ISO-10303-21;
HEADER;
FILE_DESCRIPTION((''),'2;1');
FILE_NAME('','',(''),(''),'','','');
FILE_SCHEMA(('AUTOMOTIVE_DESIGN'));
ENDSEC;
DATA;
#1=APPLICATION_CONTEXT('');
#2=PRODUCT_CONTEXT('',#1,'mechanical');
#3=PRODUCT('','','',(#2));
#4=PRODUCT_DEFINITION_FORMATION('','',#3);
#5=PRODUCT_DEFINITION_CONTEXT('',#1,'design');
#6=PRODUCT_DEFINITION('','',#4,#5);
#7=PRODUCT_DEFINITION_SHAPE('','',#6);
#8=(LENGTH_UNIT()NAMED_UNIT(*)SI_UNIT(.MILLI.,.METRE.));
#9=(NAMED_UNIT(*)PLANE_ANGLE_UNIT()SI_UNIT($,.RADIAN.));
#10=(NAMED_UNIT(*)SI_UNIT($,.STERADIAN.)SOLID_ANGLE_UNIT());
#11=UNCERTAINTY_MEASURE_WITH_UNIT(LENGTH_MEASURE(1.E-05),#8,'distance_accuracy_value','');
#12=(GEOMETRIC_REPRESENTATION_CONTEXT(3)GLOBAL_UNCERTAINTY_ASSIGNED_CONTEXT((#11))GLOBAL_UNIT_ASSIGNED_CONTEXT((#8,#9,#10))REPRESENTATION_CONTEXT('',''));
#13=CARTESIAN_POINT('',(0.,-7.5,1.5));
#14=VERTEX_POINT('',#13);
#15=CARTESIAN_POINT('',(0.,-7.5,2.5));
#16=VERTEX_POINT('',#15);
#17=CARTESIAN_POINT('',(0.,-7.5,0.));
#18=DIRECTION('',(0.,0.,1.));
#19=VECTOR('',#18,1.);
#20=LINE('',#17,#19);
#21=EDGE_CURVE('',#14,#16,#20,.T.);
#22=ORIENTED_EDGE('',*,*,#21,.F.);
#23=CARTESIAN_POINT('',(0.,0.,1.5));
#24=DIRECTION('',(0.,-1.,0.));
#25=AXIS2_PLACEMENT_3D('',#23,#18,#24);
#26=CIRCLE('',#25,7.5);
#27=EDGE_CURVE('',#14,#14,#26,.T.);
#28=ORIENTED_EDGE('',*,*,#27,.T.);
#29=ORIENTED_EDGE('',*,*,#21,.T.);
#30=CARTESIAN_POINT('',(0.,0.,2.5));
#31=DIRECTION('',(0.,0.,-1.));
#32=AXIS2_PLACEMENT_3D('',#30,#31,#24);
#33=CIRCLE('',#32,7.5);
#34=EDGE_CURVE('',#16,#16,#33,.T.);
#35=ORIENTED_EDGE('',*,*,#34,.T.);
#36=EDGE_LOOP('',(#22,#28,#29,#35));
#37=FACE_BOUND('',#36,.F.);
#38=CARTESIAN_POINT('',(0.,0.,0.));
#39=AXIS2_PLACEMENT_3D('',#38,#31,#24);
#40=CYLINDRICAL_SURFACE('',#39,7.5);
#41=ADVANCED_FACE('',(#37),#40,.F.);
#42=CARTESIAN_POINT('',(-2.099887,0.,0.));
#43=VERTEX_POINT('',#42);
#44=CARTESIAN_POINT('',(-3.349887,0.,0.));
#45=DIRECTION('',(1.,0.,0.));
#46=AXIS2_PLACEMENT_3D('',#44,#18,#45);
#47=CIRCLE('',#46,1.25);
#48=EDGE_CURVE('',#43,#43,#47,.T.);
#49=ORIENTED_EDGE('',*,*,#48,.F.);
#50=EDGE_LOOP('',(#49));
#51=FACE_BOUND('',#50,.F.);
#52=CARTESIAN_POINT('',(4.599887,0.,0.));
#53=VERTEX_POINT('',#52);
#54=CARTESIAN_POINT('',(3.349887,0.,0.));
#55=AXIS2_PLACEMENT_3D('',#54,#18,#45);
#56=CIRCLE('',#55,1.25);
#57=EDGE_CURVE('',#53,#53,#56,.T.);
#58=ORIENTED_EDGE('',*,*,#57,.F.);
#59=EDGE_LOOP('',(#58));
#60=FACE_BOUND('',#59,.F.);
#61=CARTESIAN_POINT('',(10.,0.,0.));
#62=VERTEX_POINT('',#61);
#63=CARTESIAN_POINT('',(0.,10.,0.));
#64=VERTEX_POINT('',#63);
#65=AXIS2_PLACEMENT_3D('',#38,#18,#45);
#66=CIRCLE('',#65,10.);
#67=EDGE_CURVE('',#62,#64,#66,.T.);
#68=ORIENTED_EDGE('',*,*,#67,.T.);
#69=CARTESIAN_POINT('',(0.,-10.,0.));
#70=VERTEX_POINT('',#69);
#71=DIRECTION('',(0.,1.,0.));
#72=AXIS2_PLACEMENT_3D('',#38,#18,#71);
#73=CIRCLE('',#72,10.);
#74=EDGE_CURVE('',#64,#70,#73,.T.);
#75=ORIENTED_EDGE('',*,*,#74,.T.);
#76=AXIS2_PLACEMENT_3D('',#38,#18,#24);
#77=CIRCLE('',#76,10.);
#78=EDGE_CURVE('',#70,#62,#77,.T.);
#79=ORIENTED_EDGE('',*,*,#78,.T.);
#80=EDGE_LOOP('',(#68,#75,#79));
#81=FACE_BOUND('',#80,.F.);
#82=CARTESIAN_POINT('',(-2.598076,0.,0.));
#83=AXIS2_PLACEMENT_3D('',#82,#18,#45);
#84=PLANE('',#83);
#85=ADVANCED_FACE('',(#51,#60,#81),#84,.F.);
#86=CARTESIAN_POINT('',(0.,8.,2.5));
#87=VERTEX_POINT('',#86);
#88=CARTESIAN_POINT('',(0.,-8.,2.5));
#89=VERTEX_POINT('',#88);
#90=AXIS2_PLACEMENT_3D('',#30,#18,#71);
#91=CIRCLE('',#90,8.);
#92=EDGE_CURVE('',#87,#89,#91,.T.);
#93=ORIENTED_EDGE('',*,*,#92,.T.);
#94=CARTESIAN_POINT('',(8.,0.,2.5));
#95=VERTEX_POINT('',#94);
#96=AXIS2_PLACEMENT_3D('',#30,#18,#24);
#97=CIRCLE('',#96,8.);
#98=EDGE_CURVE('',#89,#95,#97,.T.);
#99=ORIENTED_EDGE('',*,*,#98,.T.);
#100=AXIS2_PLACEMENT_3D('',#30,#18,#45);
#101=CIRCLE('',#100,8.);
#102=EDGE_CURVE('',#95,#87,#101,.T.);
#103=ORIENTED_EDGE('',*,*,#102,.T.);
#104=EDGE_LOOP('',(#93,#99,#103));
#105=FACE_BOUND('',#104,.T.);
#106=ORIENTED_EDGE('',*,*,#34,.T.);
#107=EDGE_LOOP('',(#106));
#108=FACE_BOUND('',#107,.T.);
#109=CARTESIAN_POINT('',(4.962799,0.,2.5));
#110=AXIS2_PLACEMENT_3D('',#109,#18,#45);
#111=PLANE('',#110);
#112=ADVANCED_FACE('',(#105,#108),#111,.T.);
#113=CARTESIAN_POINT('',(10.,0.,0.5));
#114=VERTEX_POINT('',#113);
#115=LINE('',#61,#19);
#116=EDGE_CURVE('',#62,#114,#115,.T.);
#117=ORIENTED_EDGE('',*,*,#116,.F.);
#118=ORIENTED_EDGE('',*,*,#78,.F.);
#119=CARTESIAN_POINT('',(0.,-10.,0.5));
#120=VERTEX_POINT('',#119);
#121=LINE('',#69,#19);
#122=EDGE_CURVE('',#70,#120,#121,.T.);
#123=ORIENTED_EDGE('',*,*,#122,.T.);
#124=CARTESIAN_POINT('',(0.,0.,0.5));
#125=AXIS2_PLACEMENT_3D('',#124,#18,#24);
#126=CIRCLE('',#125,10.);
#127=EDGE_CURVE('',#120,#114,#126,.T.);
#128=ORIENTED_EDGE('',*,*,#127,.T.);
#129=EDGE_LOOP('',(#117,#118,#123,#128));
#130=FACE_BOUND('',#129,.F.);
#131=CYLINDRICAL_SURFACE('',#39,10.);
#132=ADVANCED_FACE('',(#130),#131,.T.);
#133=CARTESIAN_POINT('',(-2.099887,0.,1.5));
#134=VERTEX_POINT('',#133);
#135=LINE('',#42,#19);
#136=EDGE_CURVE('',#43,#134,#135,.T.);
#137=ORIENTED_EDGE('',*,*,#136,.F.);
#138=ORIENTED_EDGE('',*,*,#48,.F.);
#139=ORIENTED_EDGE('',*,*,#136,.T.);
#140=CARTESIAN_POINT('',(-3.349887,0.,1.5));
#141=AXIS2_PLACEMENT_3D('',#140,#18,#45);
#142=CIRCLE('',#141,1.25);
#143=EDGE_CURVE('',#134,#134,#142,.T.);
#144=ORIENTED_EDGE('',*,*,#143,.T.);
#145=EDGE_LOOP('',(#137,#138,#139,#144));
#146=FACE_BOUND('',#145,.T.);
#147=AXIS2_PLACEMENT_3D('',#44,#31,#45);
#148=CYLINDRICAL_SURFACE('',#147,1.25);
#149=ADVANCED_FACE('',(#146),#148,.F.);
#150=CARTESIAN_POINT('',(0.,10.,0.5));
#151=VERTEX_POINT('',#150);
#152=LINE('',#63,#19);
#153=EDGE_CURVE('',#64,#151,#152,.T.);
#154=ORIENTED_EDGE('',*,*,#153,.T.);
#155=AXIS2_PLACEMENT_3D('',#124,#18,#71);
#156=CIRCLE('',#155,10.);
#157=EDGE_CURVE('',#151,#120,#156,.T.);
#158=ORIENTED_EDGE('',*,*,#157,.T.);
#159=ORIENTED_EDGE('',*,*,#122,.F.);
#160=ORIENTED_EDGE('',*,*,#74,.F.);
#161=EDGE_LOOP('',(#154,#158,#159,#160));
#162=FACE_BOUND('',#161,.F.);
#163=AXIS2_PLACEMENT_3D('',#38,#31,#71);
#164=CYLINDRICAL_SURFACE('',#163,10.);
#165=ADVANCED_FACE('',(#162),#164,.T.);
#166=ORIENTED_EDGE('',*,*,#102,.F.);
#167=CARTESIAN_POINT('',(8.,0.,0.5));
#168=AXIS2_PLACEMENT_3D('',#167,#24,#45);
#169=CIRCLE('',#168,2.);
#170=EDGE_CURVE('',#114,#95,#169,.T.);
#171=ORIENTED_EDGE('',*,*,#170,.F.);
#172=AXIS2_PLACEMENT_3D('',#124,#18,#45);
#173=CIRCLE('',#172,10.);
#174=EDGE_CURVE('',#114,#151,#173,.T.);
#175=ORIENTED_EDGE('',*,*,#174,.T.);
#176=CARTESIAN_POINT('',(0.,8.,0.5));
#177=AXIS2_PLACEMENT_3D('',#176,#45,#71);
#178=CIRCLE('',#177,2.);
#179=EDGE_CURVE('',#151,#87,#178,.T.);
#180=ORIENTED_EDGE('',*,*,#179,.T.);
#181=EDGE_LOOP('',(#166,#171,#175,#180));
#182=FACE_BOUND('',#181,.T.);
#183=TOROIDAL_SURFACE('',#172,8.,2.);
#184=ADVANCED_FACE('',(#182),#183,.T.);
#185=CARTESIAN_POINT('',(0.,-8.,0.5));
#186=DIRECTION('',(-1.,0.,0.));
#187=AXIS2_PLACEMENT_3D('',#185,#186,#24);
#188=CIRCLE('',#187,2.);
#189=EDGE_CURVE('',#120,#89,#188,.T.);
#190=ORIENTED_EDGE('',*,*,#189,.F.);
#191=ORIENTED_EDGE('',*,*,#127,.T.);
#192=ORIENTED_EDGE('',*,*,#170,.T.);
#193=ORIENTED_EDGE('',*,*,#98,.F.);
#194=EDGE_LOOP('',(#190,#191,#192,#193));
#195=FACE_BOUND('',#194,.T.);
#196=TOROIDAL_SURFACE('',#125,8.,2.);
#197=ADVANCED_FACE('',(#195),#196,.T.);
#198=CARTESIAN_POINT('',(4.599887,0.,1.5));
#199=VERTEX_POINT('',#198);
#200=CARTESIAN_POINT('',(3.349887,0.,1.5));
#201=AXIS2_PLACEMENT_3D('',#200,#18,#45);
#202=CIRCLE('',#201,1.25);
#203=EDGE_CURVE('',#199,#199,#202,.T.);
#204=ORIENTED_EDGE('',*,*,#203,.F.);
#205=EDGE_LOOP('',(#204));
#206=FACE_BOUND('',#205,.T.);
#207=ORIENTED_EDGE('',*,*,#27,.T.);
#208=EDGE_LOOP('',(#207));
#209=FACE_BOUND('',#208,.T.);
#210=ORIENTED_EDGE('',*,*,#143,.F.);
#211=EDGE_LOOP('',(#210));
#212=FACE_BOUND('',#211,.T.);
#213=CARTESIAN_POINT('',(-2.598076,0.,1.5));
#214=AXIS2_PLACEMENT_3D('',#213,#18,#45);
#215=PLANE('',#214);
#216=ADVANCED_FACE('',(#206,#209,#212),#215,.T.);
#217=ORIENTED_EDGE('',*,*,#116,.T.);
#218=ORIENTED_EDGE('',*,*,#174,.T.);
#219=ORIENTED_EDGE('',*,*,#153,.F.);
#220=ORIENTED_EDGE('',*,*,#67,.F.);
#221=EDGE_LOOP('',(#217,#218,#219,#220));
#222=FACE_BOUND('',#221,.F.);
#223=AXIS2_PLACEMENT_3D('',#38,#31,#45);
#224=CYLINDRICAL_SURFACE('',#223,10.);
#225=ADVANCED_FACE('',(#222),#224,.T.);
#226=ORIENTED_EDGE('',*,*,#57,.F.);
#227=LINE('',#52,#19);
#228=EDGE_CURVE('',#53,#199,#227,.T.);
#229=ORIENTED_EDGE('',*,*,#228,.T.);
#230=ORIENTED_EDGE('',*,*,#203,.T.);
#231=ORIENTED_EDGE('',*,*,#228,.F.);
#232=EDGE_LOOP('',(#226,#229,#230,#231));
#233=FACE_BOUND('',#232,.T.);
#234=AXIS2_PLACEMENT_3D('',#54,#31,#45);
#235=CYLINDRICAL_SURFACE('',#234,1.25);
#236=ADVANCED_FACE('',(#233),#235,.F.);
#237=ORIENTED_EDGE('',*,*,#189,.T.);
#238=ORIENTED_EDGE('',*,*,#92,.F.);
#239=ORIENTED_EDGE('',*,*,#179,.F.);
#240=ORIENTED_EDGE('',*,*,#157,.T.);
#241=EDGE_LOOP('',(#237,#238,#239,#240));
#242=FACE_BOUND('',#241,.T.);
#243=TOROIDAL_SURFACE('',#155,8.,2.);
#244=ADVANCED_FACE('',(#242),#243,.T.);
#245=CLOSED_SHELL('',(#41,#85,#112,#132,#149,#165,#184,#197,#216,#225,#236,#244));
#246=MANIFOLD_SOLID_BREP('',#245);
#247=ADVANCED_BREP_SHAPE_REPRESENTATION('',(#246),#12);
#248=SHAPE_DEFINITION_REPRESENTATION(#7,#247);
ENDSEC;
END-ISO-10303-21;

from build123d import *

# Parameters (mm, degrees)
F1_DEPTH = 2.5
F0_R     = 1.25
F2_DEPTH = 1.5
F3_R     = 2


with BuildPart() as f1:
    # F0 (on Top) → F1 (new body)
    with BuildSketch(Plane.XY):
        with BuildLine():
            ThreePointArc((0, 7.5), (5.3033008589, 5.3033008589), (7.5, 0))
            ThreePointArc((7.5, 0), (5.3033008589, -5.3033008589), (0, -7.5))
            Line((0, -7.5), (0, -10))
            ThreePointArc((0, -10), (7.0710678119, -7.0710678119), (10, 0))
            ThreePointArc((10, 0), (7.0710678119, 7.0710678119), (0, 10))
            Line((0, 10), (0, 7.5))
        make_face()
        with BuildLine():
            ThreePointArc((0, -7.5), (-7.5, 0), (0, 7.5))
            Line((0, 7.5), (0, 10))
            ThreePointArc((0, 10), (-10, 0), (0, -10))
            Line((0, -10), (0, -7.5))
        make_face()
    extrude(amount=F1_DEPTH)

    # F0 (on Top) → F2 (join)
    with BuildSketch(Plane.XY):
        with BuildLine():
            Line((0, -7.5), (0, 7.5))
            ThreePointArc((0, 7.5), (-7.5, 0), (0, -7.5))
        make_face()
        with Locations((-3.3498867415, 0)):
            Circle(F0_R, mode=Mode.SUBTRACT)
        with BuildLine():
            ThreePointArc((0, -7.5), (5.3033008589, -5.3033008589), (7.5, 0))
            ThreePointArc((7.5, 0), (5.3033008589, 5.3033008589), (0, 7.5))
            Line((0, 7.5), (0, -7.5))
        make_face()
        with Locations((3.3498867415, 0)):
            Circle(F0_R, mode=Mode.SUBTRACT)
    extrude(amount=F2_DEPTH)

    # F3
    f3_edges = [f1.edges().sort_by_distance(p)[0] for p in [
        (-10, 0, 2.5),
    ]]
    fillet(f3_edges, radius=F3_R)


solid = f1.part
